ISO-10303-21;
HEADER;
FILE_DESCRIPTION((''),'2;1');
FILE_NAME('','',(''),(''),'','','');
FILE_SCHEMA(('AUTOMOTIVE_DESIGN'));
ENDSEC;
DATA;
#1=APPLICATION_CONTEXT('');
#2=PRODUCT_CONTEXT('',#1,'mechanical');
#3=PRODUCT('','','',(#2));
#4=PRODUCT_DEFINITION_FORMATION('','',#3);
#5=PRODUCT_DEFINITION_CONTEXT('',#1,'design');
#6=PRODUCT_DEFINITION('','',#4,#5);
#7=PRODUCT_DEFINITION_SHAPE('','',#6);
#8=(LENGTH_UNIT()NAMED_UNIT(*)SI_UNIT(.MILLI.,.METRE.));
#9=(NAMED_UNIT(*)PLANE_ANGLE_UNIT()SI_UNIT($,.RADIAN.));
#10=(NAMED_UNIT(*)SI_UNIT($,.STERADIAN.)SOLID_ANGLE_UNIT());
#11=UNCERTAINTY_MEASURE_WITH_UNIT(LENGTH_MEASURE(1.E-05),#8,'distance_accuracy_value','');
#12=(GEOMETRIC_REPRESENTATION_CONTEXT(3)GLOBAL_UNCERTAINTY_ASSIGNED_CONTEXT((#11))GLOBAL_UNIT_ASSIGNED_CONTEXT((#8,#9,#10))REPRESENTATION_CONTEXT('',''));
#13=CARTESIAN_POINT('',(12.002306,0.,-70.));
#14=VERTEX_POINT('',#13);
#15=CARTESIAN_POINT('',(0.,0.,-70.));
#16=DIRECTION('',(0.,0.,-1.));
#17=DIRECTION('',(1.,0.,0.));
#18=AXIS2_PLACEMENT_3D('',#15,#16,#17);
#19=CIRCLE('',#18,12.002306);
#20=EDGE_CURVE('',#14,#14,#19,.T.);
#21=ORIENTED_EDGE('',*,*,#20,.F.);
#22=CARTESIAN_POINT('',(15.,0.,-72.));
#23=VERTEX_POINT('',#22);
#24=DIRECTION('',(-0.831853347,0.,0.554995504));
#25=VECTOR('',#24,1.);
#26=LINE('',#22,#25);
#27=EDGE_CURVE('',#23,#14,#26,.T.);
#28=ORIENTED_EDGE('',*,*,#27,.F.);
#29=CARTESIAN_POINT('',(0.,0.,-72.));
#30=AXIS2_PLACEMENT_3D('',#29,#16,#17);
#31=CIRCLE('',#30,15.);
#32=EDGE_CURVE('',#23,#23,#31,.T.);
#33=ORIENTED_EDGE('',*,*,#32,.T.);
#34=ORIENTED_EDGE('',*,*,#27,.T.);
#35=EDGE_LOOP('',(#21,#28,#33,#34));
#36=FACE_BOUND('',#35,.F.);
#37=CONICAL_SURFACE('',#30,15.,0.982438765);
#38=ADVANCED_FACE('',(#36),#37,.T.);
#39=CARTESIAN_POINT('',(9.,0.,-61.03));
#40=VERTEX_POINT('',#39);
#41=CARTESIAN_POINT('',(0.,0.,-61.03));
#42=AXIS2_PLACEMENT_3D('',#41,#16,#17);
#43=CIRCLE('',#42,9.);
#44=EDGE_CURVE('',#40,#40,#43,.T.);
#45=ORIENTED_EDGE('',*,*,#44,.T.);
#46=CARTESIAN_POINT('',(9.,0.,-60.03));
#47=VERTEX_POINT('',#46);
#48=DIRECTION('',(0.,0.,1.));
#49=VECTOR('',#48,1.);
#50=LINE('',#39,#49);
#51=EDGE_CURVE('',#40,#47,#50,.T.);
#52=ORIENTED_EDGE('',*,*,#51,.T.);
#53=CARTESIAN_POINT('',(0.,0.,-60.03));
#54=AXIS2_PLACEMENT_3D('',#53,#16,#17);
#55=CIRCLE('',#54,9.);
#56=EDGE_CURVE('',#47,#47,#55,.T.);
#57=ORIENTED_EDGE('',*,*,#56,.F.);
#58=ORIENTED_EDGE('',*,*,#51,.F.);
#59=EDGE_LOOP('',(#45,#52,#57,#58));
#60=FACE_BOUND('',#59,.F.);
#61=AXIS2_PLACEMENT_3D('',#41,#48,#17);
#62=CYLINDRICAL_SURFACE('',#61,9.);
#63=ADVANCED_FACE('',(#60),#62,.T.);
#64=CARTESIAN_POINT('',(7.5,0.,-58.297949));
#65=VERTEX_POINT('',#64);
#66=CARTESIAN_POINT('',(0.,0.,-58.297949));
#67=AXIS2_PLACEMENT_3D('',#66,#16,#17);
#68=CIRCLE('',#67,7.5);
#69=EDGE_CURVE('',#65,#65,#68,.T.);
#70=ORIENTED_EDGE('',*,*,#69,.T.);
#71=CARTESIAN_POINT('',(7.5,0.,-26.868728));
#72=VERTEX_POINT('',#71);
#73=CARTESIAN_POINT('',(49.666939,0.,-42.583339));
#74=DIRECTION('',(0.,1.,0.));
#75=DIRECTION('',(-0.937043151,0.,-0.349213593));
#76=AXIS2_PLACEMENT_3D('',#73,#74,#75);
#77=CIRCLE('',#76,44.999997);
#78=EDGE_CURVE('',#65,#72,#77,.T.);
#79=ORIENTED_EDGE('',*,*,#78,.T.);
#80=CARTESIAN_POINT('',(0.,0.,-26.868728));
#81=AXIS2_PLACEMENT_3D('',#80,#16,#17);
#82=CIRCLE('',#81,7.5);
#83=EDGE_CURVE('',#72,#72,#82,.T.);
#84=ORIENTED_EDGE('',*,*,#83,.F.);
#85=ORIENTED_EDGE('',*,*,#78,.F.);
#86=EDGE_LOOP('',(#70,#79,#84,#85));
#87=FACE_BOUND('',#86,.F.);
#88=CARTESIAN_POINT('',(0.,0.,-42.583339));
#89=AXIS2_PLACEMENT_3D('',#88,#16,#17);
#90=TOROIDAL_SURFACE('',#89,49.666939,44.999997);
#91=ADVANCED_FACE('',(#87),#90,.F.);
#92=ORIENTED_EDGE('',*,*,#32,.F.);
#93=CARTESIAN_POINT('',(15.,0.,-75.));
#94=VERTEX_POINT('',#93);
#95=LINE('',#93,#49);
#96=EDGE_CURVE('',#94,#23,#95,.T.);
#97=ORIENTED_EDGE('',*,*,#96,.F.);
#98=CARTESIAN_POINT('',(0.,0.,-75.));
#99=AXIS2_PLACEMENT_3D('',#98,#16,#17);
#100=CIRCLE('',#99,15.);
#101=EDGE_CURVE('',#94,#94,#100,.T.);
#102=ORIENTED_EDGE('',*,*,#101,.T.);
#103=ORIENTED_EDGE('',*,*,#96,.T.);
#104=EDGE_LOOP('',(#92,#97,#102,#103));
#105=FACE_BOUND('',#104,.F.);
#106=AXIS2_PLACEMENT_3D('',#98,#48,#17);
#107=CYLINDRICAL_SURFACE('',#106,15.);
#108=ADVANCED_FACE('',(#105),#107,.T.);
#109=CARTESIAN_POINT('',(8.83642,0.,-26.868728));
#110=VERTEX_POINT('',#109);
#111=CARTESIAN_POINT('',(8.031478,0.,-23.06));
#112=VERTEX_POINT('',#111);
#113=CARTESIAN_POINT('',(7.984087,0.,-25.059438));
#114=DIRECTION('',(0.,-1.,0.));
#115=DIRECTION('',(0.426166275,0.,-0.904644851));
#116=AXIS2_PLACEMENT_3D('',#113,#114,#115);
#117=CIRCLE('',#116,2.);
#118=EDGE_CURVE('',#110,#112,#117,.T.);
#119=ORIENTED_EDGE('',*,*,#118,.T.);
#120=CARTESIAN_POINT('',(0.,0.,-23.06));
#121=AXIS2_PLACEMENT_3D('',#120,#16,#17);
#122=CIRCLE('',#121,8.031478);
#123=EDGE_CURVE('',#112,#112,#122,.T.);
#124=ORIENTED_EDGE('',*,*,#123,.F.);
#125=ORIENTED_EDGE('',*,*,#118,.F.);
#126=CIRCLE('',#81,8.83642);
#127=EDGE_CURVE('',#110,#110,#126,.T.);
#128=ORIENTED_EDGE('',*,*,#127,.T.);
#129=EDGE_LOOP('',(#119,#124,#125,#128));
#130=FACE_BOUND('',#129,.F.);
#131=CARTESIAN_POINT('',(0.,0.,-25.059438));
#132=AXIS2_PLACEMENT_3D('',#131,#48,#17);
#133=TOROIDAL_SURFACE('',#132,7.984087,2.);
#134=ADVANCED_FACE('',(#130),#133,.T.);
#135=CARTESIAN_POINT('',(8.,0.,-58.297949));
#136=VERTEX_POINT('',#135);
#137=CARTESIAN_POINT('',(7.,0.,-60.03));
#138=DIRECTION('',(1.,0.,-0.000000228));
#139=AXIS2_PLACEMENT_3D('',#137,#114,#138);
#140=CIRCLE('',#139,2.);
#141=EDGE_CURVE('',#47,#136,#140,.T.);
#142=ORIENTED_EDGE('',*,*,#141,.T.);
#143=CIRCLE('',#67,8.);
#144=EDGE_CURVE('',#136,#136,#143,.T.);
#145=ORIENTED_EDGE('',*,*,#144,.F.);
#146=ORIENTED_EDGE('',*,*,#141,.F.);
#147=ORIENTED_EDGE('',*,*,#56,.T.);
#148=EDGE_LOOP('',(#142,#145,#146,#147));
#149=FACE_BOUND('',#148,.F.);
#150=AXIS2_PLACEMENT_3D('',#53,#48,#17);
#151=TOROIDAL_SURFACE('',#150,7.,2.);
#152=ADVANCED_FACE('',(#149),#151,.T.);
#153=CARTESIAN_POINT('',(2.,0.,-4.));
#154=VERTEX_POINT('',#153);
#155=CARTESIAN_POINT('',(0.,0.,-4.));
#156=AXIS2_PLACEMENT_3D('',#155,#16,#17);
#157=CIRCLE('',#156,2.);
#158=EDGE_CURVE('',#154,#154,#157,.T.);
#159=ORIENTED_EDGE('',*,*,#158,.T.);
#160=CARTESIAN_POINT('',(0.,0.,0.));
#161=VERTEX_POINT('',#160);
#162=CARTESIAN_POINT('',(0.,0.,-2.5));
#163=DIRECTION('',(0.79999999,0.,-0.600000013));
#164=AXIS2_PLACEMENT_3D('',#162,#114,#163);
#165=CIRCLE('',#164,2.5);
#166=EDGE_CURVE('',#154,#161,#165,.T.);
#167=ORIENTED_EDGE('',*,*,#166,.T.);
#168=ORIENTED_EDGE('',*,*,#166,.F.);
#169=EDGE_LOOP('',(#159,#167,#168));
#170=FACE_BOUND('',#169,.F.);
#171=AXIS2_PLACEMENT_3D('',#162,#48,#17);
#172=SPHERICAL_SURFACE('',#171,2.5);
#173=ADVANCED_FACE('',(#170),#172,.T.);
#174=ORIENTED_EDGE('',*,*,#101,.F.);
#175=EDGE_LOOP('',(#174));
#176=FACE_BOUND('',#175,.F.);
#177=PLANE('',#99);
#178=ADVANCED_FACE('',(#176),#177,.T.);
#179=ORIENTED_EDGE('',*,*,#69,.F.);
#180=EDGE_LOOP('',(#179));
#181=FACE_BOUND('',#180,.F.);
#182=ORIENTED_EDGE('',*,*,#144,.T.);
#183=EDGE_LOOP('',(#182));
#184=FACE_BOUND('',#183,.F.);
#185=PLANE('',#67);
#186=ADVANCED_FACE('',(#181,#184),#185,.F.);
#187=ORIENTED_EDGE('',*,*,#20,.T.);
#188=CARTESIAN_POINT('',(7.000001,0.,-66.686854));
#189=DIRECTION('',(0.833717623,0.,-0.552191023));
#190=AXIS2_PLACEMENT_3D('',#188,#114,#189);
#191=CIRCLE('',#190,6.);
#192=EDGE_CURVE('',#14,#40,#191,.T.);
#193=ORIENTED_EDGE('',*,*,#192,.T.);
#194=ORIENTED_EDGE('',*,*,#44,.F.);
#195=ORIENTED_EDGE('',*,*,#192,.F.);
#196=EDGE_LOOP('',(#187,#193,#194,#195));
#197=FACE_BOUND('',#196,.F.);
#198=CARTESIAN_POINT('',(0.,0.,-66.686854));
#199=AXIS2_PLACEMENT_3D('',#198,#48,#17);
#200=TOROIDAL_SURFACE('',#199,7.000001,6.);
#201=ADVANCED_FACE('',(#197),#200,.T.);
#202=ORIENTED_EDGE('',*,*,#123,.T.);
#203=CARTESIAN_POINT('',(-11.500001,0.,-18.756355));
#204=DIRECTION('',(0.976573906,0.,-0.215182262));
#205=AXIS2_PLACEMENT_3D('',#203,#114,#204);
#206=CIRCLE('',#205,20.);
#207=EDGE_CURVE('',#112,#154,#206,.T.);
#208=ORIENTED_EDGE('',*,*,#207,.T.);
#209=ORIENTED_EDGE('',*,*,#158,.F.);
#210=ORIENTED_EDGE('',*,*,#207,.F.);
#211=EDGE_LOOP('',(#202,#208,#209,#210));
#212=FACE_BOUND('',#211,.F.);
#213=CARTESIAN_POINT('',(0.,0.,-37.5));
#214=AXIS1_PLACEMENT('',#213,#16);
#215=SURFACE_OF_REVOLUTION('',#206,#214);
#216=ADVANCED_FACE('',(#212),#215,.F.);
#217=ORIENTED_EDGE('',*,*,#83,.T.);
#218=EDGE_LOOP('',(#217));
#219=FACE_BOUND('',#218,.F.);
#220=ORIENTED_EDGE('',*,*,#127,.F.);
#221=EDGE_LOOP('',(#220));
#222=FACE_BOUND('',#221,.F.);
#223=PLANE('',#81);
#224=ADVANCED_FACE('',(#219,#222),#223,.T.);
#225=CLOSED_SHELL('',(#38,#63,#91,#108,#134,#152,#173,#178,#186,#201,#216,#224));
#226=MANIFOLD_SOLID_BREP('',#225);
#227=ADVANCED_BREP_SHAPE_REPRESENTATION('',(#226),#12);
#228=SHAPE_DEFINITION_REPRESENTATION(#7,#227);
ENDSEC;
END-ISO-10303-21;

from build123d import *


with BuildPart() as f1:
    # F0 (on Front) → F1 (revolve)
    with BuildSketch(Plane.XZ):
        with BuildLine():
            ThreePointArc((2, -4), (2.236068, -1.381966), (0, 0))
            Line((0, 0), (0, -75))
            Line((0, -75), (15, -75))
            Line((15, -75), (15, -72))
            Line((15, -72), (12.002306, -70))
            ThreePointArc((12.002306, -70), (12.689754, -64.782464), (9, -61.03))
            Line((9, -61.03), (9, -60.03))
            ThreePointArc((9, -60.03), (8.732051, -59.03), (8, -58.297949))
            Line((8, -58.297949), (7.5, -58.297949))
            ThreePointArc((7.5, -58.297949), (4.666942, -42.583339), (7.5, -26.868728))
            Line((7.5, -26.868728), (8.83642, -26.868728))
            ThreePointArc((8.83642, -26.868728), (9.940865, -24.645891), (8.031478, -23.06))
            ThreePointArc((8.031478, -23.06), (7.56805, -12.722329), (2, -4))
        make_face()
    revolve(axis=Axis((0, 0, -37.5), (0, 0, -1)))


solid = f1.part
